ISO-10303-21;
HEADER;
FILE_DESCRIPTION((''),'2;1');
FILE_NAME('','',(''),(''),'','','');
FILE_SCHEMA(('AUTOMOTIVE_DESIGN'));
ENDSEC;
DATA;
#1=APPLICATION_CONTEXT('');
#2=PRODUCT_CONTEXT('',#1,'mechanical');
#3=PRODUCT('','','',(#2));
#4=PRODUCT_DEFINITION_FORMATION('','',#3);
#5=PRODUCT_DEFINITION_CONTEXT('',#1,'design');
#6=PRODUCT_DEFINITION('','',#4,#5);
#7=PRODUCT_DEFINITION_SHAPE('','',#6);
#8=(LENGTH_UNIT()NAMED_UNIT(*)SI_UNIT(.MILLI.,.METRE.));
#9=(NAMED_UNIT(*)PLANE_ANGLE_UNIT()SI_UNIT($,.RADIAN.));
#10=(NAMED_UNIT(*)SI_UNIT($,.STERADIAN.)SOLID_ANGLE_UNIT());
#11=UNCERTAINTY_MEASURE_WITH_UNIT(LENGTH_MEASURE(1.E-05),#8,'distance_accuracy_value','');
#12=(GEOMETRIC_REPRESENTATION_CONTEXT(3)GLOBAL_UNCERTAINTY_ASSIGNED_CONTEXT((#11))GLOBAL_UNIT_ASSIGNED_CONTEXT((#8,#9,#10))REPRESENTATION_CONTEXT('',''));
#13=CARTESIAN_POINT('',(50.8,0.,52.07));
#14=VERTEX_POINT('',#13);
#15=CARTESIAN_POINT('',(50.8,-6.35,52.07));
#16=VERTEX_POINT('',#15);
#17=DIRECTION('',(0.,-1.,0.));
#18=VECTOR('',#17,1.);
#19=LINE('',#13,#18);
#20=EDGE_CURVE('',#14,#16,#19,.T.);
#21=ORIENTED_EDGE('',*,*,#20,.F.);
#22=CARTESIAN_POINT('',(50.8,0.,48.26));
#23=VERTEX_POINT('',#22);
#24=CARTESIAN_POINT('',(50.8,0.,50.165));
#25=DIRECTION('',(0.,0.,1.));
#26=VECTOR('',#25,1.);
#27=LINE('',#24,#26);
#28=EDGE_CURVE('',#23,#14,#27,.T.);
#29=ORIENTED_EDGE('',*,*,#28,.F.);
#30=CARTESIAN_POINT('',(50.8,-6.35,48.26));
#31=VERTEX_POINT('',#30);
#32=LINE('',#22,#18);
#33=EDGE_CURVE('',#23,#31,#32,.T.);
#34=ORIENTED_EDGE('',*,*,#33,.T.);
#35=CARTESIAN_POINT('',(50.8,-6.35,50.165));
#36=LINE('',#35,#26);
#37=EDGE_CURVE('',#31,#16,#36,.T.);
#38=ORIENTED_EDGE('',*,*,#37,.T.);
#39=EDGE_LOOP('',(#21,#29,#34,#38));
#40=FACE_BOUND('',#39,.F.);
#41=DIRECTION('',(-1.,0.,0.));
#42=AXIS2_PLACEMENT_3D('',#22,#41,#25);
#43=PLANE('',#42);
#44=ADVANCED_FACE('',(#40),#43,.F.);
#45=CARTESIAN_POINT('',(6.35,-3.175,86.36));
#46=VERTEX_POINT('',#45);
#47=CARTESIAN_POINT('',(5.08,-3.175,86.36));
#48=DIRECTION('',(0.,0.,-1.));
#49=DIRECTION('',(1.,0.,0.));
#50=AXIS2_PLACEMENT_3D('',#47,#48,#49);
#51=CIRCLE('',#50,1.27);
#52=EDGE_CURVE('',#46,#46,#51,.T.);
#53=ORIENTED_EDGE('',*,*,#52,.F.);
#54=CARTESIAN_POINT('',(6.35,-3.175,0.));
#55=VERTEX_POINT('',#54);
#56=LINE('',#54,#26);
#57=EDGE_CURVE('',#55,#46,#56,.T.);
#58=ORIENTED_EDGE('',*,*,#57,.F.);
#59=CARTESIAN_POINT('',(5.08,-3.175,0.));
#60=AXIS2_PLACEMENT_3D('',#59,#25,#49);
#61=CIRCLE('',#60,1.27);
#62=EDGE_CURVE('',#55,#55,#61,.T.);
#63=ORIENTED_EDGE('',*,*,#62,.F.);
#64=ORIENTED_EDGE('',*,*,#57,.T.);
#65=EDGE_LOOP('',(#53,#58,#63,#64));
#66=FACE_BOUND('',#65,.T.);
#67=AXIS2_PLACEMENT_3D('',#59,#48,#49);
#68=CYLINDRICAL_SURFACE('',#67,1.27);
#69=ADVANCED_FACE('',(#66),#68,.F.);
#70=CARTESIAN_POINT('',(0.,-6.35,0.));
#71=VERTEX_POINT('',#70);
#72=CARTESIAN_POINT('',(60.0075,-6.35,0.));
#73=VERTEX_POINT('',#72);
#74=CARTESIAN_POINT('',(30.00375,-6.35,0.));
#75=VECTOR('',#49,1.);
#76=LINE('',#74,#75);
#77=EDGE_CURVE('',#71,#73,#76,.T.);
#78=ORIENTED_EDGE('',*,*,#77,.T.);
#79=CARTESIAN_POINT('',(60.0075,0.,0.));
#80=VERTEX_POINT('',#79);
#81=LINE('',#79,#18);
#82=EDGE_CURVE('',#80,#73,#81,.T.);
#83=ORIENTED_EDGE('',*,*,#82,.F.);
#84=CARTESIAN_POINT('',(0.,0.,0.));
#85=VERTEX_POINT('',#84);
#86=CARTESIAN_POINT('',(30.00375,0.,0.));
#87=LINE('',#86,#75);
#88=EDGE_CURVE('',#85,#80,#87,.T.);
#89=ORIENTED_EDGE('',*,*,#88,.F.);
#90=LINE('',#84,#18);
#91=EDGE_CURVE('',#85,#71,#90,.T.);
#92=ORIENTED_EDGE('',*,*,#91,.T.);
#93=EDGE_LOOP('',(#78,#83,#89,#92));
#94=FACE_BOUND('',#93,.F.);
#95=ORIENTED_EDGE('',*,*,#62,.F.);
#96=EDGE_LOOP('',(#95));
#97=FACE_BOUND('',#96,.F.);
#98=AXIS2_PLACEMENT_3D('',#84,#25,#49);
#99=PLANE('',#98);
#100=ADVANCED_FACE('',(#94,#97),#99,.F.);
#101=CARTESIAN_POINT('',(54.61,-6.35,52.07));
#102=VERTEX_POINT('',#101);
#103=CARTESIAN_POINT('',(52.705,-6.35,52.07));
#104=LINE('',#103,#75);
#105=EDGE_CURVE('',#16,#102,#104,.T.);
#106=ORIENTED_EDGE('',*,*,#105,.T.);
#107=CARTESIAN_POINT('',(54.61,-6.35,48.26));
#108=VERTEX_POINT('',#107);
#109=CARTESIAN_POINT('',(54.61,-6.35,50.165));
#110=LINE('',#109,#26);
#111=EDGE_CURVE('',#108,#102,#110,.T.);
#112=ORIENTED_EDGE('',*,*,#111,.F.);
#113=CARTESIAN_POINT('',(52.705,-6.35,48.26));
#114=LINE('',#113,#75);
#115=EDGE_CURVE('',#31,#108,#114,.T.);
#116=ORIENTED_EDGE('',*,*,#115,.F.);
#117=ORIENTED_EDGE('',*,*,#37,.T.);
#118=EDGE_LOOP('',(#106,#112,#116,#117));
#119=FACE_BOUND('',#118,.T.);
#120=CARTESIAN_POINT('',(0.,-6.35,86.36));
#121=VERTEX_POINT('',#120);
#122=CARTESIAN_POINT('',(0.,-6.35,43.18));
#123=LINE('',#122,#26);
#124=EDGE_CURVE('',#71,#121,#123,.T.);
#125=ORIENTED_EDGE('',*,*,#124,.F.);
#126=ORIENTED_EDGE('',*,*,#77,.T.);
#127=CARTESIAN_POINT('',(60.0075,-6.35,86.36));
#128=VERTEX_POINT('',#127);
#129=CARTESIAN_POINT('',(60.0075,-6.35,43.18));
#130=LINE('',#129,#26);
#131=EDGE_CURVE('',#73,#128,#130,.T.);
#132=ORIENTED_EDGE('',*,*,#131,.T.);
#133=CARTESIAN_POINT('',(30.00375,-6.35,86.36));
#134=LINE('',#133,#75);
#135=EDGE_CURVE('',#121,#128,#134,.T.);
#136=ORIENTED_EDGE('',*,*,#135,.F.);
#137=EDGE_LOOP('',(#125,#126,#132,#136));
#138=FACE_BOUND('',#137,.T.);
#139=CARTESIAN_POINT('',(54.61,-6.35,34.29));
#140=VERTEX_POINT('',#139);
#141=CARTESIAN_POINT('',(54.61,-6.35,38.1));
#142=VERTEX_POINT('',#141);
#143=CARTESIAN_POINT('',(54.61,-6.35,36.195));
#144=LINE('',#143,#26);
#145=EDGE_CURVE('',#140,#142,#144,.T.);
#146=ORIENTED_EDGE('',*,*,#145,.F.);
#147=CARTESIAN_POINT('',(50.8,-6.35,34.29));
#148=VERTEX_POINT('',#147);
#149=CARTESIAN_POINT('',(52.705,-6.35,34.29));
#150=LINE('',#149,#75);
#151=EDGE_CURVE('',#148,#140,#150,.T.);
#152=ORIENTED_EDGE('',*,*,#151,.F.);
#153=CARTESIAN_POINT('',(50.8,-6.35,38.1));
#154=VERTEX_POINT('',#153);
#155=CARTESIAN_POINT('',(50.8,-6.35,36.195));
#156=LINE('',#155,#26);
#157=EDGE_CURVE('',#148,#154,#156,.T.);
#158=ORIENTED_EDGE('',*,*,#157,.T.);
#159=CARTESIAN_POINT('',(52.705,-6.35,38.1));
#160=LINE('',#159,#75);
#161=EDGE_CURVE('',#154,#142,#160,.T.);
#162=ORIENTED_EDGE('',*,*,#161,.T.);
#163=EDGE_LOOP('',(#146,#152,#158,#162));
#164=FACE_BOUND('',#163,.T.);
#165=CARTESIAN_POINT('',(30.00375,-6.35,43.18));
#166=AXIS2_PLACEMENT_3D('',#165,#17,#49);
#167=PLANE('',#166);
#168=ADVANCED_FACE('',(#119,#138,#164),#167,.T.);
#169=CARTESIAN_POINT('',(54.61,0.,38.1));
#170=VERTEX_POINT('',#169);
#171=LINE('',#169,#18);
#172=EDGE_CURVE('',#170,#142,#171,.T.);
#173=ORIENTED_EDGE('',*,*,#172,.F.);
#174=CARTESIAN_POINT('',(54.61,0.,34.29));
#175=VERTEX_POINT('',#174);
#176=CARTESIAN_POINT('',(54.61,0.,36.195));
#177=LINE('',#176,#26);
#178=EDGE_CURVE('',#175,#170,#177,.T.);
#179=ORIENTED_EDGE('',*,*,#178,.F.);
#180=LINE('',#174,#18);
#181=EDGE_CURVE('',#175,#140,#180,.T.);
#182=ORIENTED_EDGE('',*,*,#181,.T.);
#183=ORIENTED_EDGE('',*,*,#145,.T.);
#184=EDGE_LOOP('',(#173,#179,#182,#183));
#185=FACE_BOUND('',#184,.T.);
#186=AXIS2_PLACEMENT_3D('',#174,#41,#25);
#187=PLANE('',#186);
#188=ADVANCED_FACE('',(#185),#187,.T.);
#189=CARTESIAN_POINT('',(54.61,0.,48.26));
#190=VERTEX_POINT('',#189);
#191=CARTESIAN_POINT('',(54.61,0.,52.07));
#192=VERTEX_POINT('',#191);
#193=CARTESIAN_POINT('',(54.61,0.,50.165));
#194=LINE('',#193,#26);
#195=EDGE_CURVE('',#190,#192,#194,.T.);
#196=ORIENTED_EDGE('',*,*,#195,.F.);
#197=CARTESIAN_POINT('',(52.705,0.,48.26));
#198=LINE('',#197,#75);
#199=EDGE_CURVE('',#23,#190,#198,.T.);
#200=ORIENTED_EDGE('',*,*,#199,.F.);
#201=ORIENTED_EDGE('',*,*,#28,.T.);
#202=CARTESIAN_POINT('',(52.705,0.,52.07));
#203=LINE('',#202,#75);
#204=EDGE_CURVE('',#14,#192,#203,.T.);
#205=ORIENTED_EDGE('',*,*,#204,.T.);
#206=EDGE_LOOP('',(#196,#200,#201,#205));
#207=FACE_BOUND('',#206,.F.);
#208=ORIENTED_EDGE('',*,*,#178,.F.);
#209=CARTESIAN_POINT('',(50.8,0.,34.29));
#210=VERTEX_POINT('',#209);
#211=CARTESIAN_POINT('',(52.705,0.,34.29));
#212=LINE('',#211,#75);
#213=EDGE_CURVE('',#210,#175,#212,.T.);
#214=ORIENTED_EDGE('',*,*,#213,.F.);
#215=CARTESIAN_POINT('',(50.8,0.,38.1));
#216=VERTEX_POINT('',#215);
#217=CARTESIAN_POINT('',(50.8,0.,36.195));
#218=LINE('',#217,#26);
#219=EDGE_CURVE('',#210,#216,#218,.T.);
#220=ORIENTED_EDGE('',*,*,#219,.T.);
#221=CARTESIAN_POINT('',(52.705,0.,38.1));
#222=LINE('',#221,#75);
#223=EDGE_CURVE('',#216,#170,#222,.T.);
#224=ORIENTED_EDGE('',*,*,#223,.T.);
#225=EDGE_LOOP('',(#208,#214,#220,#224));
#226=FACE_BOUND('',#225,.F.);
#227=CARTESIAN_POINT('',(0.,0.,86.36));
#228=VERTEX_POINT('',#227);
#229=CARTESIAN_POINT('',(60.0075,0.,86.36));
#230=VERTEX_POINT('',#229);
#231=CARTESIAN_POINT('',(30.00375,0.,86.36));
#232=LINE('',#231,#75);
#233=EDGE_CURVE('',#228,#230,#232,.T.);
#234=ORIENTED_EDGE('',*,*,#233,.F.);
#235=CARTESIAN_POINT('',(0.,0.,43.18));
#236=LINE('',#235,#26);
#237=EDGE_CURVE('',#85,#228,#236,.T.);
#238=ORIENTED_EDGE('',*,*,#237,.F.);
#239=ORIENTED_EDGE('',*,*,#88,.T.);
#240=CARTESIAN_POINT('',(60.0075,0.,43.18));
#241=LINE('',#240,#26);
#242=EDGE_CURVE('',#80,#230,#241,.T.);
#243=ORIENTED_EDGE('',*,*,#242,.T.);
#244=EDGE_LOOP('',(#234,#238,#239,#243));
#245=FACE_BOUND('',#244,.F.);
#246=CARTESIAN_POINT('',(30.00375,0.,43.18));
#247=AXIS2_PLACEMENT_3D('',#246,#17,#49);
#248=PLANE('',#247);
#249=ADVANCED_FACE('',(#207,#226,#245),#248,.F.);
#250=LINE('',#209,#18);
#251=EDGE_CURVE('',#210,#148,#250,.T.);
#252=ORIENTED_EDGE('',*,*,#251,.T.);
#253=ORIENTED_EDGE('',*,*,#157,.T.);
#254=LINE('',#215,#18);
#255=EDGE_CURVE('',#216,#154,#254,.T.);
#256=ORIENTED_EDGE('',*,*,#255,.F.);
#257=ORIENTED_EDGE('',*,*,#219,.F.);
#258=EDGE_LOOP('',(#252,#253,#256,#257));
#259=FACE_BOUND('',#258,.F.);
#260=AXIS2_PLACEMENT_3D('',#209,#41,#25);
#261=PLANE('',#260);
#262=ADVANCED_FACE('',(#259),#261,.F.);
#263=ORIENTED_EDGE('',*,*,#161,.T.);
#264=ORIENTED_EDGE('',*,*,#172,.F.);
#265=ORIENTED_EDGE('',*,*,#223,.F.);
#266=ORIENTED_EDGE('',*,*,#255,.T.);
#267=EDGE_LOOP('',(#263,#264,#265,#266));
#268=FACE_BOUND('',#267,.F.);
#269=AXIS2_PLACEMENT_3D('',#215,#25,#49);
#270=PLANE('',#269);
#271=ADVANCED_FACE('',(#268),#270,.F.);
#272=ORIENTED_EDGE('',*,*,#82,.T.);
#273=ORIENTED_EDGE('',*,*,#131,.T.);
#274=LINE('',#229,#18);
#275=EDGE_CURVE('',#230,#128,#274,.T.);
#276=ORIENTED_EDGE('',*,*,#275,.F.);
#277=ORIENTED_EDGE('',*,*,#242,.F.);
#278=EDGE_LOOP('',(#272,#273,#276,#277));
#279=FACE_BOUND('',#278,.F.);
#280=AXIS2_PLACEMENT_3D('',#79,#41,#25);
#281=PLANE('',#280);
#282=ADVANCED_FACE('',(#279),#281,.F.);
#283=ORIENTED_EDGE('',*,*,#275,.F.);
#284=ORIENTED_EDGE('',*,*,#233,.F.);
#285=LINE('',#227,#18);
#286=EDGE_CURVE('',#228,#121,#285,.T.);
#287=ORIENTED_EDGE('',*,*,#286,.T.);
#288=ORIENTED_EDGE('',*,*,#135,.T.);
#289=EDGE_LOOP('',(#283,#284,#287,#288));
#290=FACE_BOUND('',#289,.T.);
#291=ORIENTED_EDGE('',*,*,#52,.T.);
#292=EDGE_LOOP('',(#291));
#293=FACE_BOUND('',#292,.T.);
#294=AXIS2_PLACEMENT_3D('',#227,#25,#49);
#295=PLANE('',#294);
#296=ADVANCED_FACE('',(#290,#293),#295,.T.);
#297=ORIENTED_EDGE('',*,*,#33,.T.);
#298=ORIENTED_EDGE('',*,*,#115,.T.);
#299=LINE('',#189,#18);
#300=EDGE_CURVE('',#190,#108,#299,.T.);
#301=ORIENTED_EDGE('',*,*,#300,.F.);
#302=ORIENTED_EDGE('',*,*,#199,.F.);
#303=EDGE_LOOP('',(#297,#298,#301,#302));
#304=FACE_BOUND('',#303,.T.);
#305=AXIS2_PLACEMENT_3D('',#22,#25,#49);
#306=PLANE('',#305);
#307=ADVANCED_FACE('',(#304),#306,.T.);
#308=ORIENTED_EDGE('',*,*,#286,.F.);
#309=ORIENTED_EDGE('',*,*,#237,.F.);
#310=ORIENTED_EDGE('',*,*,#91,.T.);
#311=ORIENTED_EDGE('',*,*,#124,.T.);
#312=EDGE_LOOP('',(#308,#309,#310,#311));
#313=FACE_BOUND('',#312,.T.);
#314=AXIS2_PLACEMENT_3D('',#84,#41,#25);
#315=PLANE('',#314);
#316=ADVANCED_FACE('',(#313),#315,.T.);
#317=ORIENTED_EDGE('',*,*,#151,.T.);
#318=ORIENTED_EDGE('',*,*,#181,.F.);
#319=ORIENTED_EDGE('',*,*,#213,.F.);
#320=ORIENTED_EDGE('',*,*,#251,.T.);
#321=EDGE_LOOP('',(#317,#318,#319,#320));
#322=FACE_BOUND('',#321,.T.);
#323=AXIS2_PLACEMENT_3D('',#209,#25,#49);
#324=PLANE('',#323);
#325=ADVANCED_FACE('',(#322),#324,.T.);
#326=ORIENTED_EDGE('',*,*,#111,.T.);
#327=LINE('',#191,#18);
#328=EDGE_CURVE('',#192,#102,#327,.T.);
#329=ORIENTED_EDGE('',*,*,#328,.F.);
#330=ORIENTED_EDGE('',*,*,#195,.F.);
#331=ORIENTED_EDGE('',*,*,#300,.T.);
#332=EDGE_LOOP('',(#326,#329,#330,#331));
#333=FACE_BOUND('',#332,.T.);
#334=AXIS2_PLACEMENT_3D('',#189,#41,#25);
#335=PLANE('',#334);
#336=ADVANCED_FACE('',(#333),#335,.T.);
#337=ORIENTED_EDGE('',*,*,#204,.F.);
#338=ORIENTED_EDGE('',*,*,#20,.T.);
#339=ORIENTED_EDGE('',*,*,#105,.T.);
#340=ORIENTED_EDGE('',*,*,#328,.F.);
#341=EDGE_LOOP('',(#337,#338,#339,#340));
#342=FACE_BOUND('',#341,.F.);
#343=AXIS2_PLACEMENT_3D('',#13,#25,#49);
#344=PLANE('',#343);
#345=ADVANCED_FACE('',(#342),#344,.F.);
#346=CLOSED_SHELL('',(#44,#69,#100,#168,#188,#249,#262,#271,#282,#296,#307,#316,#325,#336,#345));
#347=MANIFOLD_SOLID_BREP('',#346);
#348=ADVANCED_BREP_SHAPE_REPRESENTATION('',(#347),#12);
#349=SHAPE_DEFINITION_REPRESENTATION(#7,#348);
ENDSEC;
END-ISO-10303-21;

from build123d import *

# Parameters (mm, degrees)
F0_W     = 60.0075
F0_H     = 86.36
F0_W_2   = 3.81
F0_H_2   = 3.81
F1_DEPTH = 6.35
F2_R     = 1.27
F3_DEPTH = 86.361


with BuildPart() as f1:
    # F0 (on Front) → F1 (new body)
    with BuildSketch(Plane.XZ):
        with Locations((30.00375, 43.18)):
            Rectangle(F0_W, F0_H)
        with Locations((52.705, 36.195)):
            Rectangle(F0_W_2, F0_H_2, mode=Mode.SUBTRACT)
        with Locations((52.705, 50.165)):
            Rectangle(F0_W_2, F0_H_2, mode=Mode.SUBTRACT)
    extrude(amount=F1_DEPTH)

    # F2 (on Top) → F3 (cut, through all)
    with BuildSketch(Plane.XY):
        with Locations((5.08, -3.175)):
            Circle(F2_R)
    extrude(amount=F3_DEPTH, mode=Mode.SUBTRACT)


solid = f1.part
